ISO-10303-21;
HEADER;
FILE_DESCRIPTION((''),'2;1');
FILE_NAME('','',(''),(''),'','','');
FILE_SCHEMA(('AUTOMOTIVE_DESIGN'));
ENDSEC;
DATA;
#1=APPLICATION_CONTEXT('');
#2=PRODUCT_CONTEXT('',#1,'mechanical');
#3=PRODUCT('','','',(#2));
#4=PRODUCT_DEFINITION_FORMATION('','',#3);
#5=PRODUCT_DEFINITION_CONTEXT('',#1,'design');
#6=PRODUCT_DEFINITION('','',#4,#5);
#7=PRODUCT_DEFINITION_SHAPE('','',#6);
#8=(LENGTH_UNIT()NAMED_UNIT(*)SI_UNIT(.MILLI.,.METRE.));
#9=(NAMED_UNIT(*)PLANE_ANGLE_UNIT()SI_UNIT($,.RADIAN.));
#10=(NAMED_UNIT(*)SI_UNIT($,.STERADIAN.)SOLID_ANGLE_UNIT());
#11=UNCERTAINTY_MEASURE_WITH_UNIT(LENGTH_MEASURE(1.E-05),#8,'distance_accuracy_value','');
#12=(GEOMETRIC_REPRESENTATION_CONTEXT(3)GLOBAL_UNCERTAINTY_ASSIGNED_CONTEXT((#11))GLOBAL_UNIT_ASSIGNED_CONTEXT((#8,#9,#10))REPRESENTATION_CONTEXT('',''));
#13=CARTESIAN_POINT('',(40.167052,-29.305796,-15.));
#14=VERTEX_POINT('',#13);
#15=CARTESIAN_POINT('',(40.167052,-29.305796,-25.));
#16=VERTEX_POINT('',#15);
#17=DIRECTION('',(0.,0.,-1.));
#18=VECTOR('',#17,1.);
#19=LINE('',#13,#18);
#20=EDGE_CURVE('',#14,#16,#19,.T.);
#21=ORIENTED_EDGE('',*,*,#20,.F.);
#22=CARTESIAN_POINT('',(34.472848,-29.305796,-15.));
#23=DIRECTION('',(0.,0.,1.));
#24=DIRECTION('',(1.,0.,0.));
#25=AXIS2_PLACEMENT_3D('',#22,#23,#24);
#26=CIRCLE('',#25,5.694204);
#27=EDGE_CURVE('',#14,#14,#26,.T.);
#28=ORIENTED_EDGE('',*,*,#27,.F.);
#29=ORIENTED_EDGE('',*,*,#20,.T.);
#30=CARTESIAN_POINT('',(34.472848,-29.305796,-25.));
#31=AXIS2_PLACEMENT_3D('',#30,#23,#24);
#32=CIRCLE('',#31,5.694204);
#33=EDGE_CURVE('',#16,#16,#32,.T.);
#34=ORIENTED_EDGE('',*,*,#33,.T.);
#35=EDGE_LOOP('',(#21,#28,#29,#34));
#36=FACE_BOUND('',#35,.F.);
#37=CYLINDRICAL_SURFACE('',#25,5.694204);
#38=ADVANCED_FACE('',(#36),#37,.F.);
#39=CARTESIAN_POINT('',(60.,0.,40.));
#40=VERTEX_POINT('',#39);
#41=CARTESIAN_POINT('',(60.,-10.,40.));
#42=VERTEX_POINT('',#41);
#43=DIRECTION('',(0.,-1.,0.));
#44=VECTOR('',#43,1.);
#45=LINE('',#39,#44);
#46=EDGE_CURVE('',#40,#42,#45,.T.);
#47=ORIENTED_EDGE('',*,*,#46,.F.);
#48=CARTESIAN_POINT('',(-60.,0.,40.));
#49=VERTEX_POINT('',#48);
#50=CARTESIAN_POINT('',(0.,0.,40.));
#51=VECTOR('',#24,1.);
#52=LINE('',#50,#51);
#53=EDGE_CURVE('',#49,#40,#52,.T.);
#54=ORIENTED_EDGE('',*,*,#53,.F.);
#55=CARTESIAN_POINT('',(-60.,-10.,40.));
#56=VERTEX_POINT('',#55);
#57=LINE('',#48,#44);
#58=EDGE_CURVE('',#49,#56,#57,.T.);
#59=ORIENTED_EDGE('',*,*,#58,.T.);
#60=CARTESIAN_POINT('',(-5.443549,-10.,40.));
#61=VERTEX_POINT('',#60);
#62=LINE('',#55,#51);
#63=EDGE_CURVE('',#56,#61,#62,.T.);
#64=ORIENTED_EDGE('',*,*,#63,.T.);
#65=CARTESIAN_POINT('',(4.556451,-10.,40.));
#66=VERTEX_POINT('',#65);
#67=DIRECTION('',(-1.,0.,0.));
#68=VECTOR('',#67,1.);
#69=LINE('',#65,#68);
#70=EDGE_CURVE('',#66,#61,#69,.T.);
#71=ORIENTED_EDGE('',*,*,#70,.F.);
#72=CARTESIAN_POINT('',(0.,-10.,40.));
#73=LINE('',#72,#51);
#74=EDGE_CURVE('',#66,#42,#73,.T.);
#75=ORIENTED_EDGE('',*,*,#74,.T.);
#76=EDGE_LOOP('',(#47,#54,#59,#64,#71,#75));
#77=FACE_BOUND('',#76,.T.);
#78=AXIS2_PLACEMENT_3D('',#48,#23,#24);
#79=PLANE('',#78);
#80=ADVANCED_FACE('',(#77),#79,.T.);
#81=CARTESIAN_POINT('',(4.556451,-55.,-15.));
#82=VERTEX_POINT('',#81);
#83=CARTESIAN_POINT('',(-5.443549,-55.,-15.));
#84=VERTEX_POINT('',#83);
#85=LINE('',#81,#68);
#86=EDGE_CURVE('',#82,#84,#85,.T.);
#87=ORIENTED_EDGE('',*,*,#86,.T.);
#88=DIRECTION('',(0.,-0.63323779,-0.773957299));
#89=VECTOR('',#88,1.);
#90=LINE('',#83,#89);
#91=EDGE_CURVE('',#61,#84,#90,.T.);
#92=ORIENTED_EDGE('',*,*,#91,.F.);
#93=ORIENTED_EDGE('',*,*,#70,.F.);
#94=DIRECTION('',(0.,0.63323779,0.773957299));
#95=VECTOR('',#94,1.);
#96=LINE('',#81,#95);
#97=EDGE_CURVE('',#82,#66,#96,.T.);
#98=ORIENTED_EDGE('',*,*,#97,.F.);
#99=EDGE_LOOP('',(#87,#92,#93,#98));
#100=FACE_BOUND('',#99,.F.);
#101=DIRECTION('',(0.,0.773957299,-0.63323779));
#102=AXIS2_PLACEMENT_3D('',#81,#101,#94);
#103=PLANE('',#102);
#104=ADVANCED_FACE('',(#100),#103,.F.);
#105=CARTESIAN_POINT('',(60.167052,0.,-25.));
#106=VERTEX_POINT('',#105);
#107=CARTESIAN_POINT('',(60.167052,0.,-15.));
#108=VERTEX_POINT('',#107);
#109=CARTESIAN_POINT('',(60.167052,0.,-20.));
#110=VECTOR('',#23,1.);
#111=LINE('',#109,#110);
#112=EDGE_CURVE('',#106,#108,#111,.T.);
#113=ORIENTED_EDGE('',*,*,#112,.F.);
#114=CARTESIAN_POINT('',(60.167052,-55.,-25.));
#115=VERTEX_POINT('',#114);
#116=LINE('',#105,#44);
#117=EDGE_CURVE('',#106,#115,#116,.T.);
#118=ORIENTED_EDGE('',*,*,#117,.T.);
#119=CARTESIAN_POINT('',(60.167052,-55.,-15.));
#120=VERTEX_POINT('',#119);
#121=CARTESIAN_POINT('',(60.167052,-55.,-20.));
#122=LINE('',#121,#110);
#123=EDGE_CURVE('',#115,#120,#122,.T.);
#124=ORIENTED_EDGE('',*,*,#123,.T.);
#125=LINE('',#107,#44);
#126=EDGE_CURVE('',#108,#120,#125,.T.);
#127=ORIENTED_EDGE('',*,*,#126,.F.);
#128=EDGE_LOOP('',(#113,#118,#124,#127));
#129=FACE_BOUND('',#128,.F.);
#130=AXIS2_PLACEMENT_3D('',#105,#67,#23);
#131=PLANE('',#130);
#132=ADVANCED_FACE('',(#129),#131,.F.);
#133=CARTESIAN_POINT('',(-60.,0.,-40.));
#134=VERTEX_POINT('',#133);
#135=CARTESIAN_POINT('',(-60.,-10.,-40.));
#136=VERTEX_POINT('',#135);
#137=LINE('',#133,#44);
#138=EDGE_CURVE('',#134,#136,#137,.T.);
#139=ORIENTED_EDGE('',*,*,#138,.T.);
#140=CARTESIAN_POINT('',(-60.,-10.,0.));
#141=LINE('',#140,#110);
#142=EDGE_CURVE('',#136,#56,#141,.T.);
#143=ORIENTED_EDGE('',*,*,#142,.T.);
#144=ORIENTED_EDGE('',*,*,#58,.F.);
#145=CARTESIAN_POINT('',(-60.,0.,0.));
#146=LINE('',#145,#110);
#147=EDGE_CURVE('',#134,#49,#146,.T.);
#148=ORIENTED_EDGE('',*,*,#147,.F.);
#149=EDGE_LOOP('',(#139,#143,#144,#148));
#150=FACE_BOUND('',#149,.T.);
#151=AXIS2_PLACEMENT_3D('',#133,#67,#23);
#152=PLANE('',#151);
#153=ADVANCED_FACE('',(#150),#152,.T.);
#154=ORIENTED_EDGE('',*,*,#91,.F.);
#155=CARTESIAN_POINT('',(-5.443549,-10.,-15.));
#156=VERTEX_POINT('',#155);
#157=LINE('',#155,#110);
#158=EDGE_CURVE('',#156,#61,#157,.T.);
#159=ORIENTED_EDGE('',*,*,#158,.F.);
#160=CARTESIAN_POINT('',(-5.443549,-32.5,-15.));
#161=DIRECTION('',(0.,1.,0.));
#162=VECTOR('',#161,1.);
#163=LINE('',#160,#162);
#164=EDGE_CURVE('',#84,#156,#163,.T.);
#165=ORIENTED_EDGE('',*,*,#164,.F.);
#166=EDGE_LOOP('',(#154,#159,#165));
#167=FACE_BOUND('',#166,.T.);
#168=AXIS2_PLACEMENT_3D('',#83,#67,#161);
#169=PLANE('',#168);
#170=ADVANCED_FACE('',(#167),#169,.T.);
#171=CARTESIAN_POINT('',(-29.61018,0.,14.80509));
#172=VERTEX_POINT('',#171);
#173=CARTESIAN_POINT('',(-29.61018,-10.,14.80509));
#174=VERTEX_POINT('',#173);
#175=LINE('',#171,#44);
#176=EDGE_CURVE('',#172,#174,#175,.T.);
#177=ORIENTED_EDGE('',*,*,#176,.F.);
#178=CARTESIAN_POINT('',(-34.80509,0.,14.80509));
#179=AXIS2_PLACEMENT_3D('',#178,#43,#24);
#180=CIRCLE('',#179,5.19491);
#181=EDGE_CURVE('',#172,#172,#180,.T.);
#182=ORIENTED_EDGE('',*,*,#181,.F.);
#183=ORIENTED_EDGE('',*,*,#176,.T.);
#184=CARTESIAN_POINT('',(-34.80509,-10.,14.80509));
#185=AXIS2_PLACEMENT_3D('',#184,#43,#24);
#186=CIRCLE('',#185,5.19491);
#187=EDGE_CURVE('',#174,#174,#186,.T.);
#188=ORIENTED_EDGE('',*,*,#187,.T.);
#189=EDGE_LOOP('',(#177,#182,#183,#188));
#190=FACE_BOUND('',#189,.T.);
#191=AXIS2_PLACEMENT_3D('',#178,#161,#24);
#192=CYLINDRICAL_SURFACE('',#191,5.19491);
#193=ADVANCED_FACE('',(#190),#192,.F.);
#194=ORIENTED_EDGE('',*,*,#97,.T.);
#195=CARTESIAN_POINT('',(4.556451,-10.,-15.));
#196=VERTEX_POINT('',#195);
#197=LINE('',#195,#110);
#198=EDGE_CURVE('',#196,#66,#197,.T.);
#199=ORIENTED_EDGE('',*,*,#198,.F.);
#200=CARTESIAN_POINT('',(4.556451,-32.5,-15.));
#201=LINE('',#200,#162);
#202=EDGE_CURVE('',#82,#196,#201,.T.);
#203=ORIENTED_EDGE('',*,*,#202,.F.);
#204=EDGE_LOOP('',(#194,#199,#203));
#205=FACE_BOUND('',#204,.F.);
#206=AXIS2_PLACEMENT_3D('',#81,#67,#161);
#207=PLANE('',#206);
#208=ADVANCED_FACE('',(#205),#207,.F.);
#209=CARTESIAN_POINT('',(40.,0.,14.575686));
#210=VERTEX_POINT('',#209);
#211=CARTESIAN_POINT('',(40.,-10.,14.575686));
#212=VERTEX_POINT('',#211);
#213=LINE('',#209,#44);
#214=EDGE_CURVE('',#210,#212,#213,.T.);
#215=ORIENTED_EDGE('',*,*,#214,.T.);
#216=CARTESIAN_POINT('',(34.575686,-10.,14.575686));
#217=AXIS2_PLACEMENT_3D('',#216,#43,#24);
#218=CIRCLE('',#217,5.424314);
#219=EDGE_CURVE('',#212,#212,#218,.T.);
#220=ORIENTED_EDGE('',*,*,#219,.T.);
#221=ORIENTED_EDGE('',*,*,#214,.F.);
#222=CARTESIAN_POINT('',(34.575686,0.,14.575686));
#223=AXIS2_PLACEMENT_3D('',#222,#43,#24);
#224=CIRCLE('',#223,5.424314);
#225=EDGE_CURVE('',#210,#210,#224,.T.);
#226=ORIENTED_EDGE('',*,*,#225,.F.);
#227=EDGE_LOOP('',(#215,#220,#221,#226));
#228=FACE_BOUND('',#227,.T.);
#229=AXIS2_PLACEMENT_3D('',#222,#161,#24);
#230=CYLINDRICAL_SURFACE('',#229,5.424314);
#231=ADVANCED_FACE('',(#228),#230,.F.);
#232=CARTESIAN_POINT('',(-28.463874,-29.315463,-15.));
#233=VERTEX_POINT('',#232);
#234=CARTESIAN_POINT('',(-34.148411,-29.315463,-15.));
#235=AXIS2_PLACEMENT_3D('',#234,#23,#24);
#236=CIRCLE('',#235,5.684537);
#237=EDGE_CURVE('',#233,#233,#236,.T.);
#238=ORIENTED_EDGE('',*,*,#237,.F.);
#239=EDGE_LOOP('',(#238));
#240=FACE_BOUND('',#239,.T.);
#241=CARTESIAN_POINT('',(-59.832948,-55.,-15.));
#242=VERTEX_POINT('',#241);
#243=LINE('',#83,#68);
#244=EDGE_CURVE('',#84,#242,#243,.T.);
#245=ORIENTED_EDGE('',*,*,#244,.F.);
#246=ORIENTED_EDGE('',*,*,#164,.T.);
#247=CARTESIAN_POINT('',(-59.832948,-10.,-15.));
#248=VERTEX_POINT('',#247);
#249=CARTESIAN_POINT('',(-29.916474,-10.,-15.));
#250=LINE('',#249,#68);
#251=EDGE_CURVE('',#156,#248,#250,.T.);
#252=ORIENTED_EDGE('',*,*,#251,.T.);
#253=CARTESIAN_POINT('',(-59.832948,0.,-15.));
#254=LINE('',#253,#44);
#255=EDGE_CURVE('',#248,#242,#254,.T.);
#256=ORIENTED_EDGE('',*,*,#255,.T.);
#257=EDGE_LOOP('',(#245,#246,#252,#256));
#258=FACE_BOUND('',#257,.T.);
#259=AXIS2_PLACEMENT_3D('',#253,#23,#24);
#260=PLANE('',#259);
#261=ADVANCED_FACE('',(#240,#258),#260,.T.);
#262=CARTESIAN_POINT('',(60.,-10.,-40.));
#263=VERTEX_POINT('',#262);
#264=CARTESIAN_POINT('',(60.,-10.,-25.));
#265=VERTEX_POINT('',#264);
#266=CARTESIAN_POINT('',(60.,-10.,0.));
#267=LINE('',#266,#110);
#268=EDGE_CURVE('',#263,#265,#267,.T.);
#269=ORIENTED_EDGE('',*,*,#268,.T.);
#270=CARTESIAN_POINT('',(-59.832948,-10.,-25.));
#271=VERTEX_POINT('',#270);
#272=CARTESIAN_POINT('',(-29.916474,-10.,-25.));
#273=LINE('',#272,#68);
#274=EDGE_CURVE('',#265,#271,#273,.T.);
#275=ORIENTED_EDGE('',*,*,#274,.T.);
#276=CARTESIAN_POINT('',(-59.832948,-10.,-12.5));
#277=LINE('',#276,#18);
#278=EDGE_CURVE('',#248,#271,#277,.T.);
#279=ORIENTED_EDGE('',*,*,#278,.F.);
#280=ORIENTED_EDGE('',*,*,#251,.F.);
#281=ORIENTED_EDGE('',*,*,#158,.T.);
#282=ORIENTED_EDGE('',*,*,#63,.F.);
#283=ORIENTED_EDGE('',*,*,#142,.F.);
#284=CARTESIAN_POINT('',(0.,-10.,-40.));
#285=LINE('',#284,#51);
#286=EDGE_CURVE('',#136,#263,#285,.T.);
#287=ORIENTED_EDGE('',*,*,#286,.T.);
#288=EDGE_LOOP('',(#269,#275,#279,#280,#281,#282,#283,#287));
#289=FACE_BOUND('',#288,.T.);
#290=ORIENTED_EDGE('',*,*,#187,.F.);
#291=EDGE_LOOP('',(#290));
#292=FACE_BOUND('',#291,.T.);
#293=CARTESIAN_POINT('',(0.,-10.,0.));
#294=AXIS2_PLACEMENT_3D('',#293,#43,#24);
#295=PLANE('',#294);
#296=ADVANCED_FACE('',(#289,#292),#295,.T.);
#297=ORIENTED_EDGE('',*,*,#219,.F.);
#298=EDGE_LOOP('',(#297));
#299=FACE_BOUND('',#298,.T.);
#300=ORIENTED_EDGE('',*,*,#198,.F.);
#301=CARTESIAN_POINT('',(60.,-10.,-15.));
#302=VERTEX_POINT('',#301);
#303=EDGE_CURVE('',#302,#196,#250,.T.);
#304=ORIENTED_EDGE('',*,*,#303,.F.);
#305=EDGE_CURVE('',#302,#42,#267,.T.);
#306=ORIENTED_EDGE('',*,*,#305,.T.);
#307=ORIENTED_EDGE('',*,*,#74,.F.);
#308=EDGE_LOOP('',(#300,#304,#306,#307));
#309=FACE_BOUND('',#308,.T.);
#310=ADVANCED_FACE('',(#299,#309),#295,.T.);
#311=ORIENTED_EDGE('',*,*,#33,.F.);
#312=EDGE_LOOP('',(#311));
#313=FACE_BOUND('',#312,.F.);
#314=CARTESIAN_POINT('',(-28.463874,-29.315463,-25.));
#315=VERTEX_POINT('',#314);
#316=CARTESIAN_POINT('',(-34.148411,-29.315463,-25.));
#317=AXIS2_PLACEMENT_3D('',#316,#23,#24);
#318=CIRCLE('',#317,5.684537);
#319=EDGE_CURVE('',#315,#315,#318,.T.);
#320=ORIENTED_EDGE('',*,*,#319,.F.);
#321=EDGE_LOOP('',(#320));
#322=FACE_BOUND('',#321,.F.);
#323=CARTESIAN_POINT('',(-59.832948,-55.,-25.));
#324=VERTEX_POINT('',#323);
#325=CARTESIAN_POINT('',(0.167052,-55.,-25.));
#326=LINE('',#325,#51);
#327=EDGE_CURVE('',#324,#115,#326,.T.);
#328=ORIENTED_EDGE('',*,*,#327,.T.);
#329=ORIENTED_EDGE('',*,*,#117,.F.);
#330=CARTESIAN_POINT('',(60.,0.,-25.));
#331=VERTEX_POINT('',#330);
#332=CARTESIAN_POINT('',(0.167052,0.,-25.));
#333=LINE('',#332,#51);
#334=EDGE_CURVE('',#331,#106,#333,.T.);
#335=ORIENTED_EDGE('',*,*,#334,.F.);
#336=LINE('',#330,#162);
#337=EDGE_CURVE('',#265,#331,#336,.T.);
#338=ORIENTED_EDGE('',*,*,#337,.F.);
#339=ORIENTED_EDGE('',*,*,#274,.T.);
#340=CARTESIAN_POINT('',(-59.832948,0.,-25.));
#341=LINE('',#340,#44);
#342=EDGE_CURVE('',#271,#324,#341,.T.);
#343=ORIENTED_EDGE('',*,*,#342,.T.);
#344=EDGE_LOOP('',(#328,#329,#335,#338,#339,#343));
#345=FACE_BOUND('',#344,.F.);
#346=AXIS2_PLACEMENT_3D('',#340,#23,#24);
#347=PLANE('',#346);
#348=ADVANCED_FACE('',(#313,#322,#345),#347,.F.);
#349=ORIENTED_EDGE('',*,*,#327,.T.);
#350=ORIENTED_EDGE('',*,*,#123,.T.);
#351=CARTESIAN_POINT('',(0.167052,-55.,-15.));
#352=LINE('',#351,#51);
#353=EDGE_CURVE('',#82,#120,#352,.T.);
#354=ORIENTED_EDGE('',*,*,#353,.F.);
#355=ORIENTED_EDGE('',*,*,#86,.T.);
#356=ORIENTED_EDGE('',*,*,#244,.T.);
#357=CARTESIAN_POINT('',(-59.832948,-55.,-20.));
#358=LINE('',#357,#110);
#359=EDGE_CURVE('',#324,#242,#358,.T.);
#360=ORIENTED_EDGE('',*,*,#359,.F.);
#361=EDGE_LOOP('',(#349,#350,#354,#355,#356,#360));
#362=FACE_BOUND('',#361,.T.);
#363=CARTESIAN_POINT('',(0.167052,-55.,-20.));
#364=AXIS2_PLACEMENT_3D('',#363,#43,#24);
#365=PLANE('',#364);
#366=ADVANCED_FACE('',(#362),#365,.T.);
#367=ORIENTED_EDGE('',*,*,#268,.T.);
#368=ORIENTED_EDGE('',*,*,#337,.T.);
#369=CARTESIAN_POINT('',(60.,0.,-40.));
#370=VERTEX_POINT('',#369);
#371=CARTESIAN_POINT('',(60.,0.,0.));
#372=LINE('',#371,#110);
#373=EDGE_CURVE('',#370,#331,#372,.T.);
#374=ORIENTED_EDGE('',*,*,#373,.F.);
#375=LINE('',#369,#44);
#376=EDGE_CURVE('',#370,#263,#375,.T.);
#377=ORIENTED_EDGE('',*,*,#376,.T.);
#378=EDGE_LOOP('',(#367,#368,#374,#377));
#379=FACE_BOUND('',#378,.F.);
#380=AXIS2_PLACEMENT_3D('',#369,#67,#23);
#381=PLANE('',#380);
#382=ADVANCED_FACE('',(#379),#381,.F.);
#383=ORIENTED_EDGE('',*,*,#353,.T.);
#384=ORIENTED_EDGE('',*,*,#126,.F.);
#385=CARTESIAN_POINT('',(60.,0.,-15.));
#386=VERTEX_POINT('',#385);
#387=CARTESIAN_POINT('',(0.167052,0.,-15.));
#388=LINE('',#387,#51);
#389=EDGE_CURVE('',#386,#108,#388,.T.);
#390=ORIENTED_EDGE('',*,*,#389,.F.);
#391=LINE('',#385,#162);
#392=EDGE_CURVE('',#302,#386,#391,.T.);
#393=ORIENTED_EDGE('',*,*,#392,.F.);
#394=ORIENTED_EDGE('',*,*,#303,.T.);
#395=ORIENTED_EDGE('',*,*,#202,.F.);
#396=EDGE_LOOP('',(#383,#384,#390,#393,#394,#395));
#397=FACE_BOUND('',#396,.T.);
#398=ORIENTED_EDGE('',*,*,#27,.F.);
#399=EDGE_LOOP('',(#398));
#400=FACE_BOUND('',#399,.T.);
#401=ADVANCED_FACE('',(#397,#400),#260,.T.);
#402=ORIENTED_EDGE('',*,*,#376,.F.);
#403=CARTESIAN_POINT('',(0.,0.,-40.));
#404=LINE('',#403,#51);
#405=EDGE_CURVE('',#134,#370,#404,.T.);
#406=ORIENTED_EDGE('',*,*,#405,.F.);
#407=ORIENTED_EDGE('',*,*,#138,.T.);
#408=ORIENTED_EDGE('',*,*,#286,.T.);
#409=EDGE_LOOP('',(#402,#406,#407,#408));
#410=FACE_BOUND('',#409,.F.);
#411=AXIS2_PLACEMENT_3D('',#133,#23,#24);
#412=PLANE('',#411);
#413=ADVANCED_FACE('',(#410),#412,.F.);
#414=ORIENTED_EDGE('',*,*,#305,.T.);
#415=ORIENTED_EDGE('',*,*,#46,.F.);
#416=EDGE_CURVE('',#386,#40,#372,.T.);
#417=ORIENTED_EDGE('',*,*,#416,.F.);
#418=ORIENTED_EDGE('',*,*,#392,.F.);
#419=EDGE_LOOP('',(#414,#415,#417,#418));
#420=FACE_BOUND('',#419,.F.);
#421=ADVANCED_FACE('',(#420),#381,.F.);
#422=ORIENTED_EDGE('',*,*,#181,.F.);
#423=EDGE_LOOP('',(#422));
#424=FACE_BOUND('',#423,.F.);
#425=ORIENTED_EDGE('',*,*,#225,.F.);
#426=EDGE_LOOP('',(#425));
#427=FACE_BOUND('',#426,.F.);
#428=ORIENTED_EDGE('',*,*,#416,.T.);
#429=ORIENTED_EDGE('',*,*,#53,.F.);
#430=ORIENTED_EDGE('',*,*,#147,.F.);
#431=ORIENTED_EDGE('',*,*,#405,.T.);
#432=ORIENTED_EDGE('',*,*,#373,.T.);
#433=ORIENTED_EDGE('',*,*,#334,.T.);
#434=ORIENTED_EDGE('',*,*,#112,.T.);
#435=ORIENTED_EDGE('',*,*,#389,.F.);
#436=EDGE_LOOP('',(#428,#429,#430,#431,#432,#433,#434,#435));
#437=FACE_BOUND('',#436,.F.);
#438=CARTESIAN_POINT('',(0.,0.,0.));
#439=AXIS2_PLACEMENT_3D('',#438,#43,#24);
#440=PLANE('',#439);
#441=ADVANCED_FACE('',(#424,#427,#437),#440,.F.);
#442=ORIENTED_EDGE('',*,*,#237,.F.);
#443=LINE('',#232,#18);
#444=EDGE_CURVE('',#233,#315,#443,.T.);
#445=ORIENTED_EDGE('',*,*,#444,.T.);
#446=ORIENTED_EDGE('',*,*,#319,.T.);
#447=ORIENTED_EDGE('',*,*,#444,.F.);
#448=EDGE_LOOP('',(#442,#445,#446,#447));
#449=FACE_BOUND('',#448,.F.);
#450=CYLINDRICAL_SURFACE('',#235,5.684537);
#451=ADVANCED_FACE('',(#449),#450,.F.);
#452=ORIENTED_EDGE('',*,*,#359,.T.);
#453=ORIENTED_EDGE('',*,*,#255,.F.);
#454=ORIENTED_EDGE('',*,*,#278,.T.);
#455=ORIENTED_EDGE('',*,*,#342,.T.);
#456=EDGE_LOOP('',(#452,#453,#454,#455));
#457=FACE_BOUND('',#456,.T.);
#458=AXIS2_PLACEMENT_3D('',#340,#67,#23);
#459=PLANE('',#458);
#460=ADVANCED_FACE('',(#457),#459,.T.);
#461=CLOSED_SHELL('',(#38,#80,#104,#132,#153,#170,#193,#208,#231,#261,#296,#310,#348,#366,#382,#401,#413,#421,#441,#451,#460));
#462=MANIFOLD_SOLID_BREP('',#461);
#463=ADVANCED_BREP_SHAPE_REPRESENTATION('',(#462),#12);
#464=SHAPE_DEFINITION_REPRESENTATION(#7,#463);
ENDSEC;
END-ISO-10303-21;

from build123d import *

# Parameters (mm, degrees)
F0_W     = 120
F0_H     = 80
F0_R     = 5.19491
F0_R_2   = 5.424314
F1_DEPTH = 10
F2_W     = 120
F2_H     = 10
F3_DEPTH = 55
F4_R     = 5.684537
F4_R_2   = 5.694204
F5_DEPTH = 10
F6_W     = 10
F6_H     = 45
F7_DEPTH = 55
F9_DEPTH = 25


with BuildPart() as f1:
    # F0 (on Front) → F1 (new body)
    with BuildSketch(Plane.XZ):
        Rectangle(F0_W, F0_H)
        with Locations((-34.80509, 14.80509)):
            Circle(F0_R, mode=Mode.SUBTRACT)
        with Locations((34.575686, 14.575686)):
            Circle(F0_R_2, mode=Mode.SUBTRACT)
    extrude(amount=F1_DEPTH)

    # F2 (on Front) → F3 (join)
    with BuildSketch(Plane.XZ):
        with Locations((0.167052, -20)):
            Rectangle(F2_W, F2_H)
    extrude(amount=F3_DEPTH)

    # F4 (on face) → F5 (cut)
    with BuildSketch(Plane.XY.offset(-15)):
        with Locations((-34.148411, -29.315463)):
            Circle(F4_R)
        with Locations((34.472848, -29.305796)):
            Circle(F4_R_2)
    extrude(amount=-F5_DEPTH, mode=Mode.SUBTRACT)

    # F6 (on face) → F7 (join)
    with BuildSketch(Plane.XY.offset(-15)):
        with Locations((-0.443549, -32.5)):
            Rectangle(F6_W, F6_H)
    extrude(amount=F7_DEPTH)

    # F8 (on face) → F9 (cut)
    with BuildSketch(Plane.YZ.offset(4.556451)):
        Polygon((-55, -15), (-10, 40), (-55, 40), align=None)
    extrude(amount=-F9_DEPTH, mode=Mode.SUBTRACT)


solid = f1.part
